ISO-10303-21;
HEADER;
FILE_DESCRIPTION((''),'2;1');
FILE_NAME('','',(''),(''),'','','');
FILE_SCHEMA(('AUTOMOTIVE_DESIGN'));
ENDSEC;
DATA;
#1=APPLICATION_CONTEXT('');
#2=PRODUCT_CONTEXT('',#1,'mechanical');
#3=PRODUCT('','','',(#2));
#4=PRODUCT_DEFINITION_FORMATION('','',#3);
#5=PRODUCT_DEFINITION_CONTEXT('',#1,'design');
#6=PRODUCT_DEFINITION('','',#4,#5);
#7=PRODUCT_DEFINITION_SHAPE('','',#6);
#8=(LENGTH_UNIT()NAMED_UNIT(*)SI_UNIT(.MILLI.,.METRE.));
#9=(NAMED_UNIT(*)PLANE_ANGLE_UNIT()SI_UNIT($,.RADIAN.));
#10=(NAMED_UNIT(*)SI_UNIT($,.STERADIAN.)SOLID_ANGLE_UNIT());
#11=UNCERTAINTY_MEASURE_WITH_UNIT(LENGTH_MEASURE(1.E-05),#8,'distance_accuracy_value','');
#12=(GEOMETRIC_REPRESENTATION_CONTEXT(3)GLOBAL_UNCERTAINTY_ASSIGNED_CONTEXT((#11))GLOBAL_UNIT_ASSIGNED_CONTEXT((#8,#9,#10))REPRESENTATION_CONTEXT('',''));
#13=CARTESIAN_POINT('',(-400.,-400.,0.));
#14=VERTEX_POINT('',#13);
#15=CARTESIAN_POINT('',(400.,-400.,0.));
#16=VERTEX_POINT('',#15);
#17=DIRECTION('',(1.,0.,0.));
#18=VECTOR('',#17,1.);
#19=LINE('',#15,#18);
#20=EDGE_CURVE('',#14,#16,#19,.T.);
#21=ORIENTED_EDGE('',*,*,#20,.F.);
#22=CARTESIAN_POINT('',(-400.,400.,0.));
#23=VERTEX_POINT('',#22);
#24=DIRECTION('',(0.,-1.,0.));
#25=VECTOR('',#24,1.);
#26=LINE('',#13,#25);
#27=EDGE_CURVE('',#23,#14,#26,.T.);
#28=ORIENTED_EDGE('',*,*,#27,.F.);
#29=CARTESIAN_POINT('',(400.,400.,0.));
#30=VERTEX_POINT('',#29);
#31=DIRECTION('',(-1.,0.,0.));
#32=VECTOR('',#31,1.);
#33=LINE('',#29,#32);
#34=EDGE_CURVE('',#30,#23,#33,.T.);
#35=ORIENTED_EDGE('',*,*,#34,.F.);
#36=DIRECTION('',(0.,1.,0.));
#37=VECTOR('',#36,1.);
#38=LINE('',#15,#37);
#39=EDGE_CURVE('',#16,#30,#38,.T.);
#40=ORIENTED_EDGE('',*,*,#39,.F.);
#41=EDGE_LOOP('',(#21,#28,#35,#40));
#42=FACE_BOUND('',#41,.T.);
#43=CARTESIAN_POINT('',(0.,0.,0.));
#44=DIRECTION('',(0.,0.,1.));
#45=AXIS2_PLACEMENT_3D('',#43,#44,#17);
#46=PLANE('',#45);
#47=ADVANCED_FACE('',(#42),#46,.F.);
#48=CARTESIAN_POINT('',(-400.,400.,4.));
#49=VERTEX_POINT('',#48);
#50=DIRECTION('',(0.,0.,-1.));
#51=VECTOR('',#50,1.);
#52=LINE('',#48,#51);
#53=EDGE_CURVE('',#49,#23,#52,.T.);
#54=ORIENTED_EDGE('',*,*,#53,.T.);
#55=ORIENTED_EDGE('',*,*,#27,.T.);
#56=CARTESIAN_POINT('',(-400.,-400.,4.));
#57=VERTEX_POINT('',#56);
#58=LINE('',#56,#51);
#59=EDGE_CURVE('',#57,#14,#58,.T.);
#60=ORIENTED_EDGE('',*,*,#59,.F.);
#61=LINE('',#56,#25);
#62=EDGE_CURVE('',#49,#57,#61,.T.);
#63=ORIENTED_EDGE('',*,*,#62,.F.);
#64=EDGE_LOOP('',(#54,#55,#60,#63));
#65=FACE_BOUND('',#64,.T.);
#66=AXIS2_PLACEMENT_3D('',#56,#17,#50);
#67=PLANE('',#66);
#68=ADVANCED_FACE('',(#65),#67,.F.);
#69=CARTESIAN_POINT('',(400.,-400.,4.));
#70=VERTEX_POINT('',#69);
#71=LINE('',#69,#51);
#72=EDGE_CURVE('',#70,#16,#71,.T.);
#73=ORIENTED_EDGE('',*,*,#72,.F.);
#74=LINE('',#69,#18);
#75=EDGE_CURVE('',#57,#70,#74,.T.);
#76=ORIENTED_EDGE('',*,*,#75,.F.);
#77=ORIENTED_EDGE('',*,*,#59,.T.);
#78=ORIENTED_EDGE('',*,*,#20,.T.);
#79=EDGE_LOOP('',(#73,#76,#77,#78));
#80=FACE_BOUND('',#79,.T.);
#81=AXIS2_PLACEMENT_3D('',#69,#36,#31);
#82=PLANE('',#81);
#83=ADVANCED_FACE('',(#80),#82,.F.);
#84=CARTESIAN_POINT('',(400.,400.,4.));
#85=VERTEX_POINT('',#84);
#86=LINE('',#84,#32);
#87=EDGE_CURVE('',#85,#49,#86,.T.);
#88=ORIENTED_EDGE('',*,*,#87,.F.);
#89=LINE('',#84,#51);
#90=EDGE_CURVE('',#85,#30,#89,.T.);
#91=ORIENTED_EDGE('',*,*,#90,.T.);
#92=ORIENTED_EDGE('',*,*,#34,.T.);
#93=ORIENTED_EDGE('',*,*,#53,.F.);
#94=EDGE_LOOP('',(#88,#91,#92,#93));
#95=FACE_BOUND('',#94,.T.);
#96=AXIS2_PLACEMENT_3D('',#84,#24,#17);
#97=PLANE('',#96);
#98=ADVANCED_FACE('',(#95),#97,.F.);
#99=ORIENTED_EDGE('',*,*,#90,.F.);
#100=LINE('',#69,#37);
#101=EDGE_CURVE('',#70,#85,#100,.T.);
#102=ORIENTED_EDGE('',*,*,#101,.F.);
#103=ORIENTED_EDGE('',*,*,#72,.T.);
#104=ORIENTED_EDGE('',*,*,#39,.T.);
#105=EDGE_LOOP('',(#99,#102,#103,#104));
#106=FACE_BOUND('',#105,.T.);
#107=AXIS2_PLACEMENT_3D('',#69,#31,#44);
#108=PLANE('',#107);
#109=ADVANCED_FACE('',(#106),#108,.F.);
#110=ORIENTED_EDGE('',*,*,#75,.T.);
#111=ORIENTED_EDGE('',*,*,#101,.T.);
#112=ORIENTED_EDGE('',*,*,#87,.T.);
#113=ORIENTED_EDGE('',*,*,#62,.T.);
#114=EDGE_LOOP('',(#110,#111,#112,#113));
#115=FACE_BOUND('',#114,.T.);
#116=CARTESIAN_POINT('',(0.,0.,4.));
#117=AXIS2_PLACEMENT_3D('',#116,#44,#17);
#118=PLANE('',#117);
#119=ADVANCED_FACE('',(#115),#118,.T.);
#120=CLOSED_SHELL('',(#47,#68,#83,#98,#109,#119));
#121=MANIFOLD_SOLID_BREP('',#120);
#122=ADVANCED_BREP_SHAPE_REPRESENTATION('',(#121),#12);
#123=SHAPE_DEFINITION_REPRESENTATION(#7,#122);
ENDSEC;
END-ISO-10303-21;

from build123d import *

# Parameters (mm, degrees)
SKIZZE1_W                       = 800
SKIZZE1_H                       = 800
AUFSATZ_LINEAR_AUSTRAGEN1_DEPTH = 4


with BuildPart() as part:
    # Skizze1 → Aufsatz-Linear austragen1 (new body)
    with BuildSketch(Plane.XY):
        Rectangle(SKIZZE1_W, SKIZZE1_H)
    extrude(amount=AUFSATZ_LINEAR_AUSTRAGEN1_DEPTH)


solid = part.part
